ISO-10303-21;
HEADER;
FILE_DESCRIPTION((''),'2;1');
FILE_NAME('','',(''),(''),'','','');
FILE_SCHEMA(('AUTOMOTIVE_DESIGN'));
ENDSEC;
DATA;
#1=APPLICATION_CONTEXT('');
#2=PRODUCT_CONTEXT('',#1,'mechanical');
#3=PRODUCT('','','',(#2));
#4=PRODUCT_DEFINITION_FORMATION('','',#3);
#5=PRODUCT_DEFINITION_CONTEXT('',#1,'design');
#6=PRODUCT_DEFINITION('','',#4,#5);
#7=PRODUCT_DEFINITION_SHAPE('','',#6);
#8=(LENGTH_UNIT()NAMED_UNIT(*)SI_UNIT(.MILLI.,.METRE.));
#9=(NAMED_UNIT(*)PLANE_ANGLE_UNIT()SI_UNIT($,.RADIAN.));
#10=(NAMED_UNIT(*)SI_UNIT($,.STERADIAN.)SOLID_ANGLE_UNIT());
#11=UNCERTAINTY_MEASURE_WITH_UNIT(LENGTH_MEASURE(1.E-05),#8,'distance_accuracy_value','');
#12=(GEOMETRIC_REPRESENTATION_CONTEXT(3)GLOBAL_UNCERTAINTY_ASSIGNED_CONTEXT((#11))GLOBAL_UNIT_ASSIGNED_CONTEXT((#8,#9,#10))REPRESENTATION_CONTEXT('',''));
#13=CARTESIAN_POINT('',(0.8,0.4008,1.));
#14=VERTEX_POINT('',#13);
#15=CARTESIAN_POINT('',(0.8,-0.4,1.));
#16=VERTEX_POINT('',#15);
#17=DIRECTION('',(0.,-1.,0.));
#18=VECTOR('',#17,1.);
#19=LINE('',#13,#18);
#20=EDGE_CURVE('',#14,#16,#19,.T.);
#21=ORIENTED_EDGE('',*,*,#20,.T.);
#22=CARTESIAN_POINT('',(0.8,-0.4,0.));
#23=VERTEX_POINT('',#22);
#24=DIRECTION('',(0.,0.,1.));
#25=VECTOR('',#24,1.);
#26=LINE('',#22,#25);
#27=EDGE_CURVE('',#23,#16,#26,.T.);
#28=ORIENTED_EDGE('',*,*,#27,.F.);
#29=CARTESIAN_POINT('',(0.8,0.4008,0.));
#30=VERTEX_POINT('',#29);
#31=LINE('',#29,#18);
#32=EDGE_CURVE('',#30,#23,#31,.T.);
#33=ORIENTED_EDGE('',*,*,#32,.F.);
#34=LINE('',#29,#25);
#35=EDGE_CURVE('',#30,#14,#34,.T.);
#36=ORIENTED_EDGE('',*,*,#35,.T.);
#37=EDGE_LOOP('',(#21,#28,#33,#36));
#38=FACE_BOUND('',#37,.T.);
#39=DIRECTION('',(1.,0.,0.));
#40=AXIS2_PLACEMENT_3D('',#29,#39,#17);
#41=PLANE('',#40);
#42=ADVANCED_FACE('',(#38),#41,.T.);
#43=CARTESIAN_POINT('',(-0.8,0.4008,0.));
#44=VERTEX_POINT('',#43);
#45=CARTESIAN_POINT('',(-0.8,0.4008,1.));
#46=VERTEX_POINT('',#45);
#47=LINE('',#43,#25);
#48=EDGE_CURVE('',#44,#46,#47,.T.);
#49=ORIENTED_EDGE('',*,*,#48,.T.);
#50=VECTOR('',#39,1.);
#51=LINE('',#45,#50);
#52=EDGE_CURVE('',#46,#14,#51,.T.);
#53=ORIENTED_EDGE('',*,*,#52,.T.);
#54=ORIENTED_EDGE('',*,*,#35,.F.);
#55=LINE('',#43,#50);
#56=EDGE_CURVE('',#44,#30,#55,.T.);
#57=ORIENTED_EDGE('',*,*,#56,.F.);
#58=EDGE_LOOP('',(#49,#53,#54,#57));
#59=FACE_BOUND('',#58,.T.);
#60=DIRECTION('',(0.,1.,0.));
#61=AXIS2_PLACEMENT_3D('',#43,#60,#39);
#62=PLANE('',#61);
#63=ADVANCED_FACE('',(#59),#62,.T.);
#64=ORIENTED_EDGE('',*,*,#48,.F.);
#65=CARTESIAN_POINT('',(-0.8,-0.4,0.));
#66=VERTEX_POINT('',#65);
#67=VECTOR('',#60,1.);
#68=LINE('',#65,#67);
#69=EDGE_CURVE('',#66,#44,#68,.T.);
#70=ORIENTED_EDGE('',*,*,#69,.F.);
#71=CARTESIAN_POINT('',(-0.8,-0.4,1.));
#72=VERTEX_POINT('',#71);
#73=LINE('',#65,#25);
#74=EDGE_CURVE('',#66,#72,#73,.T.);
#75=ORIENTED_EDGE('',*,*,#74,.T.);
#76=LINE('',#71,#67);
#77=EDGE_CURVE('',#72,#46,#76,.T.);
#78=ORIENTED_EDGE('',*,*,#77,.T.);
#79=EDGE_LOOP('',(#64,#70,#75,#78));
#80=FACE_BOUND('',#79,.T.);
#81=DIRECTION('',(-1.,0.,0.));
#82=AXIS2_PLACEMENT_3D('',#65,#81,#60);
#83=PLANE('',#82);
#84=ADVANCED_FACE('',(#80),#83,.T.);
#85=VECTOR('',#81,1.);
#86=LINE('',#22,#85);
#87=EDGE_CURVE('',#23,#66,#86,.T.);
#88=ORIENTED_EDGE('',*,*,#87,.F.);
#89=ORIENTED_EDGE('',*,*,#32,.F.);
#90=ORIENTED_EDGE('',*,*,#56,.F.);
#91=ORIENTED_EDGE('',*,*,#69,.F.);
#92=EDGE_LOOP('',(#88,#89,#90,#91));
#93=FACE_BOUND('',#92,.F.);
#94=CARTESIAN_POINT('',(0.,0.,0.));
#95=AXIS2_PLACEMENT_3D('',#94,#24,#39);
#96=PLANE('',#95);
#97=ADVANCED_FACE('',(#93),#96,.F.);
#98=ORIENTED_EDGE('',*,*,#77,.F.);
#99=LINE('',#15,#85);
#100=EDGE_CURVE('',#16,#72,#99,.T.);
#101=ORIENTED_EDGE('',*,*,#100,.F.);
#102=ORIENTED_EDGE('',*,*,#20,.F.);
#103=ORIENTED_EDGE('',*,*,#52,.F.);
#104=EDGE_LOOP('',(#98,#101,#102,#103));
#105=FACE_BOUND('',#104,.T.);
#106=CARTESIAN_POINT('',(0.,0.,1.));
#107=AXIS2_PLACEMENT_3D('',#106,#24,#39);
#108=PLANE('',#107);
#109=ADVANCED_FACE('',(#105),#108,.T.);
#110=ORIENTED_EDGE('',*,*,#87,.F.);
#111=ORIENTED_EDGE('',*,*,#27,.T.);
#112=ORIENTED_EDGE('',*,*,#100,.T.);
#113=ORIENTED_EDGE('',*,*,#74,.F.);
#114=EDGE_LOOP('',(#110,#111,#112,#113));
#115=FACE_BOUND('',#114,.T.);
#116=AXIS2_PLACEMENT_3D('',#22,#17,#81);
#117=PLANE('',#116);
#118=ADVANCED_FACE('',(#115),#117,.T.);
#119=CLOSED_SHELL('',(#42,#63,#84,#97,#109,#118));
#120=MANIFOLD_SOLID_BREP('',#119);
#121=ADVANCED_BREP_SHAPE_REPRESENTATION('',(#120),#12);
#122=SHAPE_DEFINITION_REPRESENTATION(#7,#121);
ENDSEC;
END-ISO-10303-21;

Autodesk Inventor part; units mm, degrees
ref_plane "YZ Plane" through (0, 0, 0) normal (1, 0, 0) x (0, 1, 0)
ref_plane "XZ Plane" through (0, 0, 0) normal (0, 1, 0) x (-1, 0, 0)
ref_plane "XY Plane" through (0, 0, 0) normal (0, 0, 1) x (1, 0, 0)
sketch "C0603K, 10UF_27" plane through (0, 0, 0) normal (0, 0, 1) x (1, 0, 0)
  line L0 (-0.8, 0.4008) -> (0.8, 0.4008)
  line L1 (0.8, 0.4008) -> (0.8, -0.4)
  line L2 (0.8, -0.4) -> (-0.8, -0.4)
  line L3 (-0.8, -0.4) -> (-0.8, 0.4008)
extrude "Extrusion1" add sketch "C0603K, 10UF_27" along normal blind 1
properties part number "10UF"
